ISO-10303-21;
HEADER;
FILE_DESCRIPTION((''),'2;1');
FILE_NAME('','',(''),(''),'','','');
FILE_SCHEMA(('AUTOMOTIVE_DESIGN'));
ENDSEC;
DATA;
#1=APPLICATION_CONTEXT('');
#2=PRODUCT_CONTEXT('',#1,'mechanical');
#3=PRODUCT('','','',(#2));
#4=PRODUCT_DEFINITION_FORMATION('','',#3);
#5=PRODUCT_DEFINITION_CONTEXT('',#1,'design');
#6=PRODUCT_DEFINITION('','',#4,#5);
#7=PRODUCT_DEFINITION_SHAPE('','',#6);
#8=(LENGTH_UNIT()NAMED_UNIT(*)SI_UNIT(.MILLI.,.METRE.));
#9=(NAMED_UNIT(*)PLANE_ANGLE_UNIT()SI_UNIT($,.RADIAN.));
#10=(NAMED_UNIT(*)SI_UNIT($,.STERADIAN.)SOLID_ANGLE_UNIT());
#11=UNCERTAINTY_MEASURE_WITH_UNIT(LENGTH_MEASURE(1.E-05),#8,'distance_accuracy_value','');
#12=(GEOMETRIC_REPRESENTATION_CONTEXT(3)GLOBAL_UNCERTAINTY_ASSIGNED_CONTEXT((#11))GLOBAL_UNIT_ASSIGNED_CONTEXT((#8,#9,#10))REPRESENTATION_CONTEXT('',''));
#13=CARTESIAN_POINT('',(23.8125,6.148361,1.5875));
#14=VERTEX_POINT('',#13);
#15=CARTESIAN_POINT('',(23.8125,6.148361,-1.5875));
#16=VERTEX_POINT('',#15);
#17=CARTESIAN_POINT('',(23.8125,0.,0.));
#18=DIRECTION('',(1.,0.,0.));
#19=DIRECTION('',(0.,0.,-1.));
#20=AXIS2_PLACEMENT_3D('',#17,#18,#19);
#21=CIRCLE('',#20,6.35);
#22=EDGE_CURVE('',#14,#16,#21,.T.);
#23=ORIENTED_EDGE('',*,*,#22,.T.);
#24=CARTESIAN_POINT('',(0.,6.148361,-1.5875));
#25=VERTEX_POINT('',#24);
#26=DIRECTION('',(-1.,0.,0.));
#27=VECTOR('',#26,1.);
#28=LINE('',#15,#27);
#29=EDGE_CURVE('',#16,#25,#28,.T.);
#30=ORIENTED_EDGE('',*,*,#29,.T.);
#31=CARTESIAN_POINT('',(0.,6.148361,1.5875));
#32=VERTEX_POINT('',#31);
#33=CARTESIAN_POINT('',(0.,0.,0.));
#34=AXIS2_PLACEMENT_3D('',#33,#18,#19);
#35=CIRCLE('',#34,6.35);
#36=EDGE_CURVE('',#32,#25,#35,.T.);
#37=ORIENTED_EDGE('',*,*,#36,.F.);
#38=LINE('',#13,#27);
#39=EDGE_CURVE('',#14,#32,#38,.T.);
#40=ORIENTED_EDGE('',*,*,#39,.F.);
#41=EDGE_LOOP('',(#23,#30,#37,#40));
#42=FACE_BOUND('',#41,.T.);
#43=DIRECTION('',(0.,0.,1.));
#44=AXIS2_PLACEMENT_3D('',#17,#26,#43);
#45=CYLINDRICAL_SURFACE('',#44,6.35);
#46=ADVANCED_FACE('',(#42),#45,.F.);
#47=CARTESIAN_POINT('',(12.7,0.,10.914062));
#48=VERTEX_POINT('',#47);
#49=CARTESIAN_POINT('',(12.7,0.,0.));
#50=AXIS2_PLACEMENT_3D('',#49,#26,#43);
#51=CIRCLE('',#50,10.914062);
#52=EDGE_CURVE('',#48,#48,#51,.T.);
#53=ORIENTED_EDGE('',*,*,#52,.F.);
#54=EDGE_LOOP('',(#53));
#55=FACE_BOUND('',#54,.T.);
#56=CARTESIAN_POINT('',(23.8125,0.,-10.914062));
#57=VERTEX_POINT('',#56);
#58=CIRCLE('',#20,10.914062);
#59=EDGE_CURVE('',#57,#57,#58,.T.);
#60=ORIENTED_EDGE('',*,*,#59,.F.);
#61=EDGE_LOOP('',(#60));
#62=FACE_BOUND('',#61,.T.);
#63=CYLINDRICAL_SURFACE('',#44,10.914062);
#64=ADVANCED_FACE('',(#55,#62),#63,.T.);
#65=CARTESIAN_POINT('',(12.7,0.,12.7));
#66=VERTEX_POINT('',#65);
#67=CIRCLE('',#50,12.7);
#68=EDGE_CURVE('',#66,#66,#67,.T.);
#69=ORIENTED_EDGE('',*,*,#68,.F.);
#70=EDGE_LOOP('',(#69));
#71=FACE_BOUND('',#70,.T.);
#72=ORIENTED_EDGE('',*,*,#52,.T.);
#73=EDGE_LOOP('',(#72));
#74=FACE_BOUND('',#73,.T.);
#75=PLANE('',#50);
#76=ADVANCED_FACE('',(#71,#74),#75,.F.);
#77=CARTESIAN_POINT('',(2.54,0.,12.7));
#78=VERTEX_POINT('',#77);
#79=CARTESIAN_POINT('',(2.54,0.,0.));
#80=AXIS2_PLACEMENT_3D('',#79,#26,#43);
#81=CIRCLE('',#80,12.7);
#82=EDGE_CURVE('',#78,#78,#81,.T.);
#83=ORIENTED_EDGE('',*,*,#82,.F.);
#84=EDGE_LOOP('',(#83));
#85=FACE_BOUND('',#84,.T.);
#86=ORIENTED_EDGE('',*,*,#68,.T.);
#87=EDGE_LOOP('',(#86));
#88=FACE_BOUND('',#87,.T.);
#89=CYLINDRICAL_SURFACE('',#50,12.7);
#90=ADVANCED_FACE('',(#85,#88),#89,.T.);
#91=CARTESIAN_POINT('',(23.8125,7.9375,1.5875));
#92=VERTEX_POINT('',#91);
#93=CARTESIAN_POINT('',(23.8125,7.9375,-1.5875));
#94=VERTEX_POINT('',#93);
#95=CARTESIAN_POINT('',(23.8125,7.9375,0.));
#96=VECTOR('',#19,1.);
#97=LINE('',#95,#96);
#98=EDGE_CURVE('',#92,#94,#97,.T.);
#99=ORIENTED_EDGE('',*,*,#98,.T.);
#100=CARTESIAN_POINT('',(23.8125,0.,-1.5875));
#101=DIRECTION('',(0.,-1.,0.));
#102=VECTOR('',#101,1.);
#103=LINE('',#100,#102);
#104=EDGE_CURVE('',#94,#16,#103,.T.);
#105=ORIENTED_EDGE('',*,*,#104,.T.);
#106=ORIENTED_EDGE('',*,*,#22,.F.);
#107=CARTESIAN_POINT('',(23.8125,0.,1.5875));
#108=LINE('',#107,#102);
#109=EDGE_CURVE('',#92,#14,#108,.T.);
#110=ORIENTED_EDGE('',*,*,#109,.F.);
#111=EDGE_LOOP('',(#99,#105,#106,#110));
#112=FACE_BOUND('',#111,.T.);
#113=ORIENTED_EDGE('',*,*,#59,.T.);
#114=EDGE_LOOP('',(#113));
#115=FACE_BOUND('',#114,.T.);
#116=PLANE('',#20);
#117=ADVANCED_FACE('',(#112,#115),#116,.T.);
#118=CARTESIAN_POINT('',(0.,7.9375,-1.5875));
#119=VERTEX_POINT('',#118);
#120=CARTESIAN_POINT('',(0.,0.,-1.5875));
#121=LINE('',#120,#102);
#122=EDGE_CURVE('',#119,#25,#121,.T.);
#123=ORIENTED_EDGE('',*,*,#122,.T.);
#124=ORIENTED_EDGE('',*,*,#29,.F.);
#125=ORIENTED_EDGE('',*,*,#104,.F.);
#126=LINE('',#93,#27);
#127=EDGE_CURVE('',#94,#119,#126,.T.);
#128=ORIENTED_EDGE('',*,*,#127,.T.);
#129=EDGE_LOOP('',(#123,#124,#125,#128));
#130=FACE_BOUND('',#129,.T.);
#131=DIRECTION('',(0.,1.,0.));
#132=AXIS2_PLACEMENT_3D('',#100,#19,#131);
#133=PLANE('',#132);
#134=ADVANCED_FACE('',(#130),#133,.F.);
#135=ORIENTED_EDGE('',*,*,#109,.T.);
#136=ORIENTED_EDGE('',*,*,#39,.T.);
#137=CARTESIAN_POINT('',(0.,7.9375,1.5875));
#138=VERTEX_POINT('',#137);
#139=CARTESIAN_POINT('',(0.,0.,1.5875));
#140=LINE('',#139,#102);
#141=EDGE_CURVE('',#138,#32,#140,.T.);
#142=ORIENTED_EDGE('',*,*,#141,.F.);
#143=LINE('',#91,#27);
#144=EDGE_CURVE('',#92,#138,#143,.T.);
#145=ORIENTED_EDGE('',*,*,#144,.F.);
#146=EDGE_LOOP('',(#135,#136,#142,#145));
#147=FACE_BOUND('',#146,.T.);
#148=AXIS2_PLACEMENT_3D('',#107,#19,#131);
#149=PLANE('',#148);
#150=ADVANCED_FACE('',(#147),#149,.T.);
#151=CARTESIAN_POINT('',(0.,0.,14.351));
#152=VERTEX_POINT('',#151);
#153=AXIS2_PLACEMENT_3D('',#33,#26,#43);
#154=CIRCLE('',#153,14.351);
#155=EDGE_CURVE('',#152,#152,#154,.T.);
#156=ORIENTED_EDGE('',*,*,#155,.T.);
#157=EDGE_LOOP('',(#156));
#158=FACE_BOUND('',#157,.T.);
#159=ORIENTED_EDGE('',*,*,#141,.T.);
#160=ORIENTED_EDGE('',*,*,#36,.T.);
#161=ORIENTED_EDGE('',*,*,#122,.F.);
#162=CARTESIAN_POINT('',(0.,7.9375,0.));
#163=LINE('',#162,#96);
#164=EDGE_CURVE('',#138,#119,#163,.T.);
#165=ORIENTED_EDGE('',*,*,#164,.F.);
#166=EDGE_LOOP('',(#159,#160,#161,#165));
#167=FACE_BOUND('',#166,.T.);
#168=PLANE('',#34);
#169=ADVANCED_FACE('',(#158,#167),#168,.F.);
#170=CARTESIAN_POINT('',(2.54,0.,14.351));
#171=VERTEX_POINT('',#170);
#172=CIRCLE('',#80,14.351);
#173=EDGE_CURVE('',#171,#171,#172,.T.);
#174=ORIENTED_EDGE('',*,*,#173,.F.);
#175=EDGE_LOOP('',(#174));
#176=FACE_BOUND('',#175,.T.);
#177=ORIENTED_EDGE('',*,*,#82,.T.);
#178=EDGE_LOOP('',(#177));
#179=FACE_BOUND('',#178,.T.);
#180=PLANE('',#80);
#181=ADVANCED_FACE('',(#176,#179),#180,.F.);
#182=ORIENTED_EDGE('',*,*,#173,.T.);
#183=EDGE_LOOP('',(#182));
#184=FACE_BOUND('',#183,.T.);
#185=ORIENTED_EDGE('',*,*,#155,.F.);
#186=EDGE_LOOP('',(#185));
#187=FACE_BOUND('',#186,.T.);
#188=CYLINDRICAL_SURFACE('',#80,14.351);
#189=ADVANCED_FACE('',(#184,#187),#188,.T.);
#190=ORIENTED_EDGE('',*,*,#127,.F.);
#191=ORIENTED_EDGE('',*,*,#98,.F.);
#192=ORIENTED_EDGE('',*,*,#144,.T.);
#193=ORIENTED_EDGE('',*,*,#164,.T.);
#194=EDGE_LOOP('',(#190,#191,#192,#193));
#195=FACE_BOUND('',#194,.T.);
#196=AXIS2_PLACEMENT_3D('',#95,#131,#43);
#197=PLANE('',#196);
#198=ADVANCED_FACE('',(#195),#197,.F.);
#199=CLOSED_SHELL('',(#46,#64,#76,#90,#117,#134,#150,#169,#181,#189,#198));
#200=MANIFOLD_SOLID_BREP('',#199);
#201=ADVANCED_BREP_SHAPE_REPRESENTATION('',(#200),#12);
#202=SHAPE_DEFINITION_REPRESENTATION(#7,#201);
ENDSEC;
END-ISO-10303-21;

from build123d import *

# Parameters (mm, degrees)
SKETCH1_R           = 10.9140625
BOSS_EXTRUDE1_DEPTH = 23.8125
SKETCH2_R           = 12.7
SKETCH2_R_2         = 10.9140625
BOSS_EXTRUDE2_DEPTH = 12.7
SKETCH5_R           = 14.351
SKETCH5_R_2         = 12.7
BOSS_EXTRUDE3_DEPTH = 2.54


with BuildPart() as part:
    # Sketch1 → Boss-Extrude1 (new body)
    with BuildSketch(Plane(origin=(0, 0, 0), x_dir=(0, 0, -1), z_dir=(1, 0, 0))):
        Circle(SKETCH1_R)
        with BuildLine():
            Line((-1.5875, 6.148361062), (-1.5875, 7.9375))
            Line((-1.5875, 7.9375), (1.5875, 7.9375))
            Line((1.5875, 7.9375), (1.5875, 6.148361062))
            ThreePointArc((1.5875, 6.148361062), (5.020115786, 3.888564967), (6.35, 0))
            ThreePointArc((6.35, 0), (-3.888564967, -5.020115786), (-1.5875, 6.148361062))
        make_face(mode=Mode.SUBTRACT)
    extrude(amount=BOSS_EXTRUDE1_DEPTH)

    # Sketch2 → Boss-Extrude2 (add)
    with BuildSketch(Plane.ZY):
        Circle(SKETCH2_R)
        Circle(SKETCH2_R_2, mode=Mode.SUBTRACT)
    extrude(amount=-BOSS_EXTRUDE2_DEPTH)

    # Sketch5 → Boss-Extrude3 (add)
    with BuildSketch(Plane.ZY):
        Circle(SKETCH5_R)
        Circle(SKETCH5_R_2, mode=Mode.SUBTRACT)
    extrude(amount=-BOSS_EXTRUDE3_DEPTH)


solid = part.part
